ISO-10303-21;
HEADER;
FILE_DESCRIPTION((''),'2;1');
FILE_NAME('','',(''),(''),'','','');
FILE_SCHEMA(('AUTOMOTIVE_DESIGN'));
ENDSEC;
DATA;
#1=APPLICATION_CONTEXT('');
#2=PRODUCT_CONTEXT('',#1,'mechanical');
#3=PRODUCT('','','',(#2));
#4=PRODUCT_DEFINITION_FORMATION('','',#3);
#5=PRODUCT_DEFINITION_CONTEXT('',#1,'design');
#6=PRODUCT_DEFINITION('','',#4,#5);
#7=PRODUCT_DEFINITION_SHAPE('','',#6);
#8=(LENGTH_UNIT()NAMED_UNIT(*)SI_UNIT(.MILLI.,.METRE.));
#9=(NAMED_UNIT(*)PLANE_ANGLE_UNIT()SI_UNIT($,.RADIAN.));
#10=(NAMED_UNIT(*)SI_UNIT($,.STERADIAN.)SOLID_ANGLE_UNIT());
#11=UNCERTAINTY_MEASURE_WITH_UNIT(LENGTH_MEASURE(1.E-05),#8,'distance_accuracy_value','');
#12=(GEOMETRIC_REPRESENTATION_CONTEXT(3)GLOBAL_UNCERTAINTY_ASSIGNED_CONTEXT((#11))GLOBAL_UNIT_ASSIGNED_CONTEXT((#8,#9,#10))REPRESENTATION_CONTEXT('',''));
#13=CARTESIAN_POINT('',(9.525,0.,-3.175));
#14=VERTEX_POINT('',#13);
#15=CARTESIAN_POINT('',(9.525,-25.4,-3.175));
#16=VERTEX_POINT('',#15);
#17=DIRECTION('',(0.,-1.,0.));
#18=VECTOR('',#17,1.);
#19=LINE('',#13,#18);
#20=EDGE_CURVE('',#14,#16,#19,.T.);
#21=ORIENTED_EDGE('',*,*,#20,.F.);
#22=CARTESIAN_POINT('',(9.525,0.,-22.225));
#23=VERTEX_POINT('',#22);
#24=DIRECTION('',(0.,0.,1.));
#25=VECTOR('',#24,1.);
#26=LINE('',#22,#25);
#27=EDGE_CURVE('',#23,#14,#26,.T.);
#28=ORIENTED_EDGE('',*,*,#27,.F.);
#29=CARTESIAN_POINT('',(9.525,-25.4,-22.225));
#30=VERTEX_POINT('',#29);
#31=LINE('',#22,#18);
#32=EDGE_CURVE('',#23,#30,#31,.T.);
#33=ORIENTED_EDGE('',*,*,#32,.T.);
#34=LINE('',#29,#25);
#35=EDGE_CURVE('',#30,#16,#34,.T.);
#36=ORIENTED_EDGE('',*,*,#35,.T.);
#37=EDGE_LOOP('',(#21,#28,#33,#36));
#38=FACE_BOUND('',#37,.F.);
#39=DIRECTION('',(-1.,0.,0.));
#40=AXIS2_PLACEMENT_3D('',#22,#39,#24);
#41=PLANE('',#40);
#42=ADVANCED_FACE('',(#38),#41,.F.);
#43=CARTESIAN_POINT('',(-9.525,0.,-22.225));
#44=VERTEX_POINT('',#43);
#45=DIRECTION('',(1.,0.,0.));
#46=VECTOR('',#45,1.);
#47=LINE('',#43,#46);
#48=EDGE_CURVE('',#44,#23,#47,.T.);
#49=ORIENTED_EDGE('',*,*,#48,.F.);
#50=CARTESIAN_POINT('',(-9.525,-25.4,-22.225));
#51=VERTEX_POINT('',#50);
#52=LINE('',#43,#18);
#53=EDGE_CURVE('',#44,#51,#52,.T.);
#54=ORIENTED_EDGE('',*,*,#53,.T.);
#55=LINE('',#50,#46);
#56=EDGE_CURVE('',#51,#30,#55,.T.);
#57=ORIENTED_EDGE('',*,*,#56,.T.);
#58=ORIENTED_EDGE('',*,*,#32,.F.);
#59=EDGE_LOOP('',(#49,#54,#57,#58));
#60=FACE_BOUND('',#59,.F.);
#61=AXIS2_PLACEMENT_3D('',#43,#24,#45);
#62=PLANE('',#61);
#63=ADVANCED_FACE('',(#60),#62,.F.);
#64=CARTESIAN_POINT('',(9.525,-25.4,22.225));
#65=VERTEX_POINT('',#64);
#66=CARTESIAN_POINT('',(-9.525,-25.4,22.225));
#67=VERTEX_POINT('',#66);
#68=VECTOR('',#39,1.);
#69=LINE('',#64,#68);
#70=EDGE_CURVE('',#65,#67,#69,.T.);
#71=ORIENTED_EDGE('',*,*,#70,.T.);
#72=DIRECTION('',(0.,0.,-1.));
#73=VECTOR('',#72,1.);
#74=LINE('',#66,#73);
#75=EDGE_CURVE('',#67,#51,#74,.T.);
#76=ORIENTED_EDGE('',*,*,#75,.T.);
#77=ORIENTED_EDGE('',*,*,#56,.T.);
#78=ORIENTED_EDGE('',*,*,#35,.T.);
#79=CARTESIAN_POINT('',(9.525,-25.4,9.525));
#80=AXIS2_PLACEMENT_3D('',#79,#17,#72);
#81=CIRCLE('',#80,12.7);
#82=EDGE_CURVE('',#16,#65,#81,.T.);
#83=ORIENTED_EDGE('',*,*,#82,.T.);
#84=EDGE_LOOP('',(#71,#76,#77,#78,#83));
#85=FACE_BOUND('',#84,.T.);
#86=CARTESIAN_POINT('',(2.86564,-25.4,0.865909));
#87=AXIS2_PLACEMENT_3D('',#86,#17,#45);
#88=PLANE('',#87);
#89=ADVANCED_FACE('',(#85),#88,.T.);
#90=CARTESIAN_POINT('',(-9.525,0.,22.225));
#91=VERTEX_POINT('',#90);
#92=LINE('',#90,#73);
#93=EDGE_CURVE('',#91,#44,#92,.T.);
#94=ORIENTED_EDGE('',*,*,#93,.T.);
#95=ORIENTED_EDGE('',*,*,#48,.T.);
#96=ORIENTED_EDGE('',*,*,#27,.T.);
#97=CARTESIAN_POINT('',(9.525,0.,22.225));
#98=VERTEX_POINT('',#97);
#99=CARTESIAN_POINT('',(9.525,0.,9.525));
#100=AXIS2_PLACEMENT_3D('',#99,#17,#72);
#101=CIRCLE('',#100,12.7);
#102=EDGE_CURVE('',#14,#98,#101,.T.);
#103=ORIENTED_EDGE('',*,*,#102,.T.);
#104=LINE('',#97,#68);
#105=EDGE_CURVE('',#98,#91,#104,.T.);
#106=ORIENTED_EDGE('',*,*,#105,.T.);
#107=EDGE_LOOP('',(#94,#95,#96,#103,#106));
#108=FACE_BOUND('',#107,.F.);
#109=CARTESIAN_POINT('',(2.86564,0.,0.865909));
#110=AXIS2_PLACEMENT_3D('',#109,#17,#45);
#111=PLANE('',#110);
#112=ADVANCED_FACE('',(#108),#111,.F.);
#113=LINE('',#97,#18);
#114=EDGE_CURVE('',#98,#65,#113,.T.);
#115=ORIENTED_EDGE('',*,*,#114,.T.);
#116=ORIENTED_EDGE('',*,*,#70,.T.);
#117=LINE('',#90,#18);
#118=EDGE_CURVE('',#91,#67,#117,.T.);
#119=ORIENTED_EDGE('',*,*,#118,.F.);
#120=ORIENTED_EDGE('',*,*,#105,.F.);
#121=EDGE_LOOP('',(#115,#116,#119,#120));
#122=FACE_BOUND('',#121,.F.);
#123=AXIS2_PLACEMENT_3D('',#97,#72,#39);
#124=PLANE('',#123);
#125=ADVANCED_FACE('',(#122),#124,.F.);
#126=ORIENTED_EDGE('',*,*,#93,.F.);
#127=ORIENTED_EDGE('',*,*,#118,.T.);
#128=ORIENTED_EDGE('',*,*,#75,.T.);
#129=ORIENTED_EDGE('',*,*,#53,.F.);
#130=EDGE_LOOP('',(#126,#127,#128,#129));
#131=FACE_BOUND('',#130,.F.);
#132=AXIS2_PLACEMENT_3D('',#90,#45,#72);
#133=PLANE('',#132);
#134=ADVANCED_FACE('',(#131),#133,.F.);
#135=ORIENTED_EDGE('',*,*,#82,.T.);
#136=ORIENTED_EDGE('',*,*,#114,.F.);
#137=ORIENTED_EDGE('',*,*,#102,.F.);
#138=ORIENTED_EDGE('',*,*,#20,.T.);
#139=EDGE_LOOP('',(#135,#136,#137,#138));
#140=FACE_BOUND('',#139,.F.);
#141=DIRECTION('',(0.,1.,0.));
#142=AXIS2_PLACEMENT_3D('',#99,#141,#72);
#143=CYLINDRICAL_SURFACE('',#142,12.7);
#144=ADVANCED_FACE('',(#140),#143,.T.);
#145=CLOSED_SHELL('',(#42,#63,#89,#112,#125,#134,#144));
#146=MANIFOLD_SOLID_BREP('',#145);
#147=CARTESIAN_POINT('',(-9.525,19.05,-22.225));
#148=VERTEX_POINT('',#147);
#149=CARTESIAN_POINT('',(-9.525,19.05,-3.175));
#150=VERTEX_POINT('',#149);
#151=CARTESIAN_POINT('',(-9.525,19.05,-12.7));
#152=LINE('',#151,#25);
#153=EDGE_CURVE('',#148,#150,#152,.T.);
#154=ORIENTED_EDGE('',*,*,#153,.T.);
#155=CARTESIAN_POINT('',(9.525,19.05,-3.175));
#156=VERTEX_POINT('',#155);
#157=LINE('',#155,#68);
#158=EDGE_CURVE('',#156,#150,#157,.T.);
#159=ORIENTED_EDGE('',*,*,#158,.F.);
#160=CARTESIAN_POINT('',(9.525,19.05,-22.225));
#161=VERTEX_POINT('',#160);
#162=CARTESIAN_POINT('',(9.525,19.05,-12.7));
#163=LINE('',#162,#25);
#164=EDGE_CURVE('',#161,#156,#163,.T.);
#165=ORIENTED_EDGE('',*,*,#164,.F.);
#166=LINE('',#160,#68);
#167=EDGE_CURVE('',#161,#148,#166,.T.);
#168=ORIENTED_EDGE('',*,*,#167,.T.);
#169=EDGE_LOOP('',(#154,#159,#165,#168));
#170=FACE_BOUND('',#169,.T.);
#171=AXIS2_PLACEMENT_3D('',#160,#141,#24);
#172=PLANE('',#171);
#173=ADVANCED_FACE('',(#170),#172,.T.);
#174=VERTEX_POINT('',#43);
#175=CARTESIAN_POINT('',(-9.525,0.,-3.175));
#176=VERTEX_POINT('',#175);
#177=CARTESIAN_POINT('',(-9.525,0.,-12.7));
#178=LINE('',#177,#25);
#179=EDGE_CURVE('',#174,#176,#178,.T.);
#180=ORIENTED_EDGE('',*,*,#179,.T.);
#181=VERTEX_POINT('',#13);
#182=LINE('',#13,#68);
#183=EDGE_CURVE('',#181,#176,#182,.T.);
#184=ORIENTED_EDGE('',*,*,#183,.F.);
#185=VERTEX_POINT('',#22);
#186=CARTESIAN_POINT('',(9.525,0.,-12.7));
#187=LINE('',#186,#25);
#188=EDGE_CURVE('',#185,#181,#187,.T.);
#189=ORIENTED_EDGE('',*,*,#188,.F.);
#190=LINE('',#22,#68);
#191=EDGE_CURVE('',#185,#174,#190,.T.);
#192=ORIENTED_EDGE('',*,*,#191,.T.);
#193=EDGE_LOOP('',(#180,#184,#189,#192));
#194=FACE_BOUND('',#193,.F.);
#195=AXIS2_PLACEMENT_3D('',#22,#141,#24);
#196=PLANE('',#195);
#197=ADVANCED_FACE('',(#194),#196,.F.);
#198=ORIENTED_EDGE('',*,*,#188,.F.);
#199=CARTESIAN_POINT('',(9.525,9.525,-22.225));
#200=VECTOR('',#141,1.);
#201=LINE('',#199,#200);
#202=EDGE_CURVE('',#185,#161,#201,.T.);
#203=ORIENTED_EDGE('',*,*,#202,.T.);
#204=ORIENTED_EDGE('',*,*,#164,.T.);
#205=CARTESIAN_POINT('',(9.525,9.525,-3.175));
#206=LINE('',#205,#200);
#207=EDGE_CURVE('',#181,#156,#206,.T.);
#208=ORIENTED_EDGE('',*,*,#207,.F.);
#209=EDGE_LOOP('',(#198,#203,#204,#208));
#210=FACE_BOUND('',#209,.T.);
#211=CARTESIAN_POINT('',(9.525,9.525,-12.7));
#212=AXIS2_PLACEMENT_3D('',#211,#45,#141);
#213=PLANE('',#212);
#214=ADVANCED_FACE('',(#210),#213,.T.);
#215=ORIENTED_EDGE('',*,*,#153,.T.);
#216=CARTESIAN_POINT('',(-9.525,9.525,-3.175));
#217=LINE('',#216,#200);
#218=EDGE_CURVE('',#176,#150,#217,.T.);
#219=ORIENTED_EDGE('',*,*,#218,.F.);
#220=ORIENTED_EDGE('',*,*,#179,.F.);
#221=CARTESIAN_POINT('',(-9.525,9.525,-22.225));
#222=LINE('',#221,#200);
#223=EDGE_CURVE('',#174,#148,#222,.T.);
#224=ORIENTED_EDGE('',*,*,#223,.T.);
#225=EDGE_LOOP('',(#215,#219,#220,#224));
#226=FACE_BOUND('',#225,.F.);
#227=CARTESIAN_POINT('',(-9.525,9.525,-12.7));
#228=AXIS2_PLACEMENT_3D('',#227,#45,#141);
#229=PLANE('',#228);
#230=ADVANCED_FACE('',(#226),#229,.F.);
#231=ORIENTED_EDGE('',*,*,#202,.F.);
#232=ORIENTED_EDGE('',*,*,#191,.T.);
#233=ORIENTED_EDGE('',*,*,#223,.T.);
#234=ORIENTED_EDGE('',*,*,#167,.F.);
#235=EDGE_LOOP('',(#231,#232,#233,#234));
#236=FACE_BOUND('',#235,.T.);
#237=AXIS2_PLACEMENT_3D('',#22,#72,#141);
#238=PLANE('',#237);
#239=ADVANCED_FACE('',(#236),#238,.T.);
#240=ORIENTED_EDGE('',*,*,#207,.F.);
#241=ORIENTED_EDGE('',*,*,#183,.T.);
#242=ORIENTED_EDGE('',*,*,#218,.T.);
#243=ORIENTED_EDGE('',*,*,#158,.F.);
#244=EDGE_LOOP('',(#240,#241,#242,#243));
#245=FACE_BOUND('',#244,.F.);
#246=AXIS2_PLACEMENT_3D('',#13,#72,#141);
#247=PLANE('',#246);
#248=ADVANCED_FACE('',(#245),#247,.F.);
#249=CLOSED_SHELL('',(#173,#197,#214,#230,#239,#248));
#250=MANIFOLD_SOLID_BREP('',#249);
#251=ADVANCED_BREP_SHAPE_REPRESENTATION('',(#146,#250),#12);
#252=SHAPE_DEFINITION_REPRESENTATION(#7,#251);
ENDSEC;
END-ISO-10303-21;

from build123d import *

# Parameters (mm, degrees)
F1_DEPTH = 25.4
F2_W     = 19.05
F2_H     = 19.05
F3_DEPTH = 19.05


with BuildPart() as f1:
    # F0 (on Front) → F1 (new body)
    with BuildSketch(Plane.XZ):
        with BuildLine():
            Line((-9.525, -22.225), (9.525, -22.225))
            Line((9.525, -22.225), (9.525, -3.175))
            ThreePointArc((9.525, -3.175), (22.225, 9.525), (9.525, 22.225))
            Line((9.525, 22.225), (-9.525, 22.225))
            Line((-9.525, 22.225), (-9.525, -22.225))
        make_face()
    extrude(amount=F1_DEPTH)


with BuildPart() as f3:
    # F2 (on face) → F3 (new body)
    with BuildSketch(Plane.YZ.offset(9.525)):
        with Locations((9.525, -12.7)):
            Rectangle(F2_W, F2_H)
    extrude(amount=-F3_DEPTH)


solid = Compound([f1.part, f3.part])
